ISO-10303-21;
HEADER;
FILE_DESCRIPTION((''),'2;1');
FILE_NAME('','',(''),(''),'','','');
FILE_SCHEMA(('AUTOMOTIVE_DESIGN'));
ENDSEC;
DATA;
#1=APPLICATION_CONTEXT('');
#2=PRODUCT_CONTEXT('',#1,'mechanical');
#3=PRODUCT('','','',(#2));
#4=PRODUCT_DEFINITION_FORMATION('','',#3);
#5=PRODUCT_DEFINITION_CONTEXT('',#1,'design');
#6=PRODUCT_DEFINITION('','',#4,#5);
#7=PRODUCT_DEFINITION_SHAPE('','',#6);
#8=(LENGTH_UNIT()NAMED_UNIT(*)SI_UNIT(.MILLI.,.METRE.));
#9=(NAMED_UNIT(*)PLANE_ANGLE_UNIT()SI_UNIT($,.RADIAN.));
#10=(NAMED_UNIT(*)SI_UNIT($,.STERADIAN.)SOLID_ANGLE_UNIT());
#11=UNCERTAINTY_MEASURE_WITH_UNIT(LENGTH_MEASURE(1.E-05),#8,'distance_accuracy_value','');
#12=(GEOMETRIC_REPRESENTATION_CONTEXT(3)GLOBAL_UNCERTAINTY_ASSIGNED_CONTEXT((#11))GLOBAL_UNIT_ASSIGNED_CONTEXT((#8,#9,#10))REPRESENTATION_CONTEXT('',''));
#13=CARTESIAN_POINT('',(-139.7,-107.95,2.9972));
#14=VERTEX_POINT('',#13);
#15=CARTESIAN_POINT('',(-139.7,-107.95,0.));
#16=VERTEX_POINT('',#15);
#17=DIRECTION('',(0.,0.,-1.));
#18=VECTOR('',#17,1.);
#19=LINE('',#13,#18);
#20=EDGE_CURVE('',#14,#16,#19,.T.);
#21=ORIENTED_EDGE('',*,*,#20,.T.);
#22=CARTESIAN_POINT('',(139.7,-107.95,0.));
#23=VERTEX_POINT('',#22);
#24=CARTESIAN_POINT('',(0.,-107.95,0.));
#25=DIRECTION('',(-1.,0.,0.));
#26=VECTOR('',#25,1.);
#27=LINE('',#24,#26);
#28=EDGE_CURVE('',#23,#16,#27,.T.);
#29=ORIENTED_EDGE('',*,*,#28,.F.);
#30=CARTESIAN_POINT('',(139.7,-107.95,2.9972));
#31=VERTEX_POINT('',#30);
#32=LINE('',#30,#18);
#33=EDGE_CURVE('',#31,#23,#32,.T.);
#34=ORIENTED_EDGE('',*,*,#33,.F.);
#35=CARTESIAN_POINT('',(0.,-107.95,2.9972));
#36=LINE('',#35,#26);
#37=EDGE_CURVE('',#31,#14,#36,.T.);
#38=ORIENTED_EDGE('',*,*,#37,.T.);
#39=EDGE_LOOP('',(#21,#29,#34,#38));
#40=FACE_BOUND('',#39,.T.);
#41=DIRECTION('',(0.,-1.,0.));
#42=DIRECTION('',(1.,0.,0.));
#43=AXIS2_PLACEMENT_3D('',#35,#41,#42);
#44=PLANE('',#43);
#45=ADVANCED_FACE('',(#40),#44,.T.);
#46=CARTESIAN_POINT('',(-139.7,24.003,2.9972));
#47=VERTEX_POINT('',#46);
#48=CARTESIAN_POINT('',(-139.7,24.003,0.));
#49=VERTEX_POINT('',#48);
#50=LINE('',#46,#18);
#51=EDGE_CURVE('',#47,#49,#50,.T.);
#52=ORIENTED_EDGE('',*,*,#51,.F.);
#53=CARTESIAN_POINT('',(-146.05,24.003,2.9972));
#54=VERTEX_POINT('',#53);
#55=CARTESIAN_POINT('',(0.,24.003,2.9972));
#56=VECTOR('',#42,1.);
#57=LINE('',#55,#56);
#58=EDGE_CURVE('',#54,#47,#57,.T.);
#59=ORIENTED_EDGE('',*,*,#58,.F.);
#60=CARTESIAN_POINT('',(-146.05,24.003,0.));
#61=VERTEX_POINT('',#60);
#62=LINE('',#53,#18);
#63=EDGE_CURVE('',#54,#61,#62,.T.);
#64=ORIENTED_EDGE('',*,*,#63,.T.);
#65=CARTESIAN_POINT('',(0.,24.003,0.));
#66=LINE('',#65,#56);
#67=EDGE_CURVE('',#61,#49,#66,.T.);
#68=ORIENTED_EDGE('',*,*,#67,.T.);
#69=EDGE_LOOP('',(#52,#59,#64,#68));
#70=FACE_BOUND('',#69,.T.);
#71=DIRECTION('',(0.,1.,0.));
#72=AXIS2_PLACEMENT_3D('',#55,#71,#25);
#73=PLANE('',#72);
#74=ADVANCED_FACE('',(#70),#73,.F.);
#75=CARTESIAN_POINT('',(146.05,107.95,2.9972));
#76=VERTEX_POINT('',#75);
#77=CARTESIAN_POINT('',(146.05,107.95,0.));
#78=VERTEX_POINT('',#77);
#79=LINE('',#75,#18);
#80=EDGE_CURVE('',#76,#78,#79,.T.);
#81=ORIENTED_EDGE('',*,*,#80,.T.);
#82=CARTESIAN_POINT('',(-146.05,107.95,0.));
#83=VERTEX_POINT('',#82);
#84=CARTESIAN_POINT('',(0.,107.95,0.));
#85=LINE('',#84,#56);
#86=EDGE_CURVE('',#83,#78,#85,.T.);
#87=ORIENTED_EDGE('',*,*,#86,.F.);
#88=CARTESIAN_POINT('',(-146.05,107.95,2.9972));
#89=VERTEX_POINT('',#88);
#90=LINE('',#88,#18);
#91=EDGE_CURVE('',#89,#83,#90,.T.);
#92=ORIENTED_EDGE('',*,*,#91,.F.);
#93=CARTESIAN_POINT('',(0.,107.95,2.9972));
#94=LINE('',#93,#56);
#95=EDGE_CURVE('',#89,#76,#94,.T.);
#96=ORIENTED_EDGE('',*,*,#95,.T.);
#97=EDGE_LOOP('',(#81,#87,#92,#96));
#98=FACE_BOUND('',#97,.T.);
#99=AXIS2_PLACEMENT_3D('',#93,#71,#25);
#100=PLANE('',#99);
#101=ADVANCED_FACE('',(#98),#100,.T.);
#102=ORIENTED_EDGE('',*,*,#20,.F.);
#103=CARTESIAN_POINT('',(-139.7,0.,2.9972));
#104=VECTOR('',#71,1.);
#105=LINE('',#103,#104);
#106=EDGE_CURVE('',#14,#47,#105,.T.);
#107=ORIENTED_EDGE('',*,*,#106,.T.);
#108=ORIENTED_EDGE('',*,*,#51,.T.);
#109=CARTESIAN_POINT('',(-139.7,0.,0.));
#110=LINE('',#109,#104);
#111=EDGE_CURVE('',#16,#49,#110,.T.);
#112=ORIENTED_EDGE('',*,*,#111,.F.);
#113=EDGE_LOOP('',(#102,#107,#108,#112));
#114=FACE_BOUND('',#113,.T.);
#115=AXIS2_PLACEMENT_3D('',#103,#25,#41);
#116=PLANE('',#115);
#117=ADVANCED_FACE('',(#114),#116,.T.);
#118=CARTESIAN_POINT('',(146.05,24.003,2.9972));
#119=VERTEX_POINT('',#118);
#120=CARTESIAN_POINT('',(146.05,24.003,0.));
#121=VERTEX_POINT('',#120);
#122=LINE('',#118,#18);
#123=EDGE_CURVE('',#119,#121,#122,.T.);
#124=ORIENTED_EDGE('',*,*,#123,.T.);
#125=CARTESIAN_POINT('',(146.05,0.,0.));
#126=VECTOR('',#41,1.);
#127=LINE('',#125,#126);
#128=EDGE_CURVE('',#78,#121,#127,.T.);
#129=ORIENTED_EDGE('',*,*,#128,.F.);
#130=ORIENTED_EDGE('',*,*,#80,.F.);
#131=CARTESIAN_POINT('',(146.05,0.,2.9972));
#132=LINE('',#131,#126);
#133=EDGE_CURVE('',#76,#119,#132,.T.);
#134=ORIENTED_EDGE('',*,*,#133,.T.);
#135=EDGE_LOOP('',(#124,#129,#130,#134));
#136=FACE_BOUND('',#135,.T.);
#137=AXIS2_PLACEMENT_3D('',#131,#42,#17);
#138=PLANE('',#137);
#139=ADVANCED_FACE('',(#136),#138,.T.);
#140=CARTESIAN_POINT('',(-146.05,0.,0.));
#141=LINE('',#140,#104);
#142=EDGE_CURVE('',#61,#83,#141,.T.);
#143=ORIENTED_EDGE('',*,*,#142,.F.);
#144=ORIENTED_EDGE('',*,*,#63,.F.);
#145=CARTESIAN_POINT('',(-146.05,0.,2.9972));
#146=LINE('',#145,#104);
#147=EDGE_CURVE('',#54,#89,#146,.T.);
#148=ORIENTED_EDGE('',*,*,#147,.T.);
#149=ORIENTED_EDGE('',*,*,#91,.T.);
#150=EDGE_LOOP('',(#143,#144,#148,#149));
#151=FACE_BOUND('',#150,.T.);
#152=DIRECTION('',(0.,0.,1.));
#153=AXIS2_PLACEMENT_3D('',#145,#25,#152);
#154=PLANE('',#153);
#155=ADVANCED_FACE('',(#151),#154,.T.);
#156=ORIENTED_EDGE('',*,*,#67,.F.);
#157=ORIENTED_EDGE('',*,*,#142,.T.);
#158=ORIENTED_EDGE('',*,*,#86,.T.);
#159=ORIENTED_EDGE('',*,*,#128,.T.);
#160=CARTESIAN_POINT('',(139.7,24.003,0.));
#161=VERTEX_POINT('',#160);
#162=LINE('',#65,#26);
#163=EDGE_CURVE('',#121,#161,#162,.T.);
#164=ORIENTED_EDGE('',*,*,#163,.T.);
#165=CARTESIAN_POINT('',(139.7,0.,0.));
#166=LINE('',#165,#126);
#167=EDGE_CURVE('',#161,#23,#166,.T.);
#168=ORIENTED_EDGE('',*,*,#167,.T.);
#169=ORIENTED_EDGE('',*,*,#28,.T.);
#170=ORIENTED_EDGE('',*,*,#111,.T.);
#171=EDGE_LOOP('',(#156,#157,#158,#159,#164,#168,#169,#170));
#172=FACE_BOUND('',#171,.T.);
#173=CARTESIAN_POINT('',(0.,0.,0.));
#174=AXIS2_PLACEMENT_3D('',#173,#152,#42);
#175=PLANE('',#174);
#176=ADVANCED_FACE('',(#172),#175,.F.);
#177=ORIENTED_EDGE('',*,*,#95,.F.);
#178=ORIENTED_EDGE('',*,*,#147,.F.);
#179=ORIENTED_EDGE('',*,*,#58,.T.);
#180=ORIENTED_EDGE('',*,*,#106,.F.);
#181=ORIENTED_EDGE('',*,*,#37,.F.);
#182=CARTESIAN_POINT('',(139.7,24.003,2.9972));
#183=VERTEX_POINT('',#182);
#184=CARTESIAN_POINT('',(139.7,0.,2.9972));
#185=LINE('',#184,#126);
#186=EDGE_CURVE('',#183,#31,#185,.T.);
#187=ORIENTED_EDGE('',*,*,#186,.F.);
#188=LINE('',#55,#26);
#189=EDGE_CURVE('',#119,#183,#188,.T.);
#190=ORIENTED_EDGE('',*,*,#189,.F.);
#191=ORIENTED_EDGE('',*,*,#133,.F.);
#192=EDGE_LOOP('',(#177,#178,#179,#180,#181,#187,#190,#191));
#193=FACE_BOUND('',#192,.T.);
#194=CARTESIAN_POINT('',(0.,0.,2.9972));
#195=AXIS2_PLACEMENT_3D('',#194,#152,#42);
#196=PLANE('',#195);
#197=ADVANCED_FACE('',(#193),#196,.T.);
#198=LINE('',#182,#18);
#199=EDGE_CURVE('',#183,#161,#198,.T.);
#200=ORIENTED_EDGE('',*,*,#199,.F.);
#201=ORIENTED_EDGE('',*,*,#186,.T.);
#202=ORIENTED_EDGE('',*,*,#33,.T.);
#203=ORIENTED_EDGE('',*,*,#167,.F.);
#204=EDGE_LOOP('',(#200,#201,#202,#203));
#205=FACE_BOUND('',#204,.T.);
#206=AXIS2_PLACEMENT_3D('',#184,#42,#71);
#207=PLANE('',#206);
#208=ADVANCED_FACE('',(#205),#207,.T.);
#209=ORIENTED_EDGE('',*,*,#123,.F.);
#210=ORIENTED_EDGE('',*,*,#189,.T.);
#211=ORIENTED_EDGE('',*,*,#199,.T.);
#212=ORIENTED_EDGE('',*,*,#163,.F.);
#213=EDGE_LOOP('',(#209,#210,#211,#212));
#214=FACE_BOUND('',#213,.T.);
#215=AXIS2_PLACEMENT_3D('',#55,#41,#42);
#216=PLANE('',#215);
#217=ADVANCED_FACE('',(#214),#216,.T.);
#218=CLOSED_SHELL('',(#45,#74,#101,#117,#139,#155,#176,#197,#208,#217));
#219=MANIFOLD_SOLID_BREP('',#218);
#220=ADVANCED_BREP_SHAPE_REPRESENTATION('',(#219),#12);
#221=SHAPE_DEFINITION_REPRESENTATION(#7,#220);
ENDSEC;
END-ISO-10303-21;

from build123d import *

# Parameters (mm, degrees)
SKETCH1_W           = 6.35
SKETCH1_H           = 71.247
BOSS_EXTRUDE1_DEPTH = 2.9972


with BuildPart() as part:
    # Sketch1 → Boss-Extrude1 (new body)
    with BuildSketch(Plane.XY):
        Polygon((0, 107.95), (-146.05, 107.95), (-146.05, 95.25), (-139.7, 95.25), (-139.7, 24.003), (-139.7, -107.95), (0, -107.95), align=None)
        with Locations((-142.875, 59.6265)):
            Rectangle(SKETCH1_W, SKETCH1_H)
        Polygon((146.05, 107.95), (0, 107.95), (0, -107.95), (139.7, -107.95), (139.7, 24.003), (139.7, 95.25), (146.05, 95.25), align=None)
        with Locations((142.875, 59.6265)):
            Rectangle(SKETCH1_W, SKETCH1_H)
    extrude(amount=BOSS_EXTRUDE1_DEPTH)


solid = part.part
